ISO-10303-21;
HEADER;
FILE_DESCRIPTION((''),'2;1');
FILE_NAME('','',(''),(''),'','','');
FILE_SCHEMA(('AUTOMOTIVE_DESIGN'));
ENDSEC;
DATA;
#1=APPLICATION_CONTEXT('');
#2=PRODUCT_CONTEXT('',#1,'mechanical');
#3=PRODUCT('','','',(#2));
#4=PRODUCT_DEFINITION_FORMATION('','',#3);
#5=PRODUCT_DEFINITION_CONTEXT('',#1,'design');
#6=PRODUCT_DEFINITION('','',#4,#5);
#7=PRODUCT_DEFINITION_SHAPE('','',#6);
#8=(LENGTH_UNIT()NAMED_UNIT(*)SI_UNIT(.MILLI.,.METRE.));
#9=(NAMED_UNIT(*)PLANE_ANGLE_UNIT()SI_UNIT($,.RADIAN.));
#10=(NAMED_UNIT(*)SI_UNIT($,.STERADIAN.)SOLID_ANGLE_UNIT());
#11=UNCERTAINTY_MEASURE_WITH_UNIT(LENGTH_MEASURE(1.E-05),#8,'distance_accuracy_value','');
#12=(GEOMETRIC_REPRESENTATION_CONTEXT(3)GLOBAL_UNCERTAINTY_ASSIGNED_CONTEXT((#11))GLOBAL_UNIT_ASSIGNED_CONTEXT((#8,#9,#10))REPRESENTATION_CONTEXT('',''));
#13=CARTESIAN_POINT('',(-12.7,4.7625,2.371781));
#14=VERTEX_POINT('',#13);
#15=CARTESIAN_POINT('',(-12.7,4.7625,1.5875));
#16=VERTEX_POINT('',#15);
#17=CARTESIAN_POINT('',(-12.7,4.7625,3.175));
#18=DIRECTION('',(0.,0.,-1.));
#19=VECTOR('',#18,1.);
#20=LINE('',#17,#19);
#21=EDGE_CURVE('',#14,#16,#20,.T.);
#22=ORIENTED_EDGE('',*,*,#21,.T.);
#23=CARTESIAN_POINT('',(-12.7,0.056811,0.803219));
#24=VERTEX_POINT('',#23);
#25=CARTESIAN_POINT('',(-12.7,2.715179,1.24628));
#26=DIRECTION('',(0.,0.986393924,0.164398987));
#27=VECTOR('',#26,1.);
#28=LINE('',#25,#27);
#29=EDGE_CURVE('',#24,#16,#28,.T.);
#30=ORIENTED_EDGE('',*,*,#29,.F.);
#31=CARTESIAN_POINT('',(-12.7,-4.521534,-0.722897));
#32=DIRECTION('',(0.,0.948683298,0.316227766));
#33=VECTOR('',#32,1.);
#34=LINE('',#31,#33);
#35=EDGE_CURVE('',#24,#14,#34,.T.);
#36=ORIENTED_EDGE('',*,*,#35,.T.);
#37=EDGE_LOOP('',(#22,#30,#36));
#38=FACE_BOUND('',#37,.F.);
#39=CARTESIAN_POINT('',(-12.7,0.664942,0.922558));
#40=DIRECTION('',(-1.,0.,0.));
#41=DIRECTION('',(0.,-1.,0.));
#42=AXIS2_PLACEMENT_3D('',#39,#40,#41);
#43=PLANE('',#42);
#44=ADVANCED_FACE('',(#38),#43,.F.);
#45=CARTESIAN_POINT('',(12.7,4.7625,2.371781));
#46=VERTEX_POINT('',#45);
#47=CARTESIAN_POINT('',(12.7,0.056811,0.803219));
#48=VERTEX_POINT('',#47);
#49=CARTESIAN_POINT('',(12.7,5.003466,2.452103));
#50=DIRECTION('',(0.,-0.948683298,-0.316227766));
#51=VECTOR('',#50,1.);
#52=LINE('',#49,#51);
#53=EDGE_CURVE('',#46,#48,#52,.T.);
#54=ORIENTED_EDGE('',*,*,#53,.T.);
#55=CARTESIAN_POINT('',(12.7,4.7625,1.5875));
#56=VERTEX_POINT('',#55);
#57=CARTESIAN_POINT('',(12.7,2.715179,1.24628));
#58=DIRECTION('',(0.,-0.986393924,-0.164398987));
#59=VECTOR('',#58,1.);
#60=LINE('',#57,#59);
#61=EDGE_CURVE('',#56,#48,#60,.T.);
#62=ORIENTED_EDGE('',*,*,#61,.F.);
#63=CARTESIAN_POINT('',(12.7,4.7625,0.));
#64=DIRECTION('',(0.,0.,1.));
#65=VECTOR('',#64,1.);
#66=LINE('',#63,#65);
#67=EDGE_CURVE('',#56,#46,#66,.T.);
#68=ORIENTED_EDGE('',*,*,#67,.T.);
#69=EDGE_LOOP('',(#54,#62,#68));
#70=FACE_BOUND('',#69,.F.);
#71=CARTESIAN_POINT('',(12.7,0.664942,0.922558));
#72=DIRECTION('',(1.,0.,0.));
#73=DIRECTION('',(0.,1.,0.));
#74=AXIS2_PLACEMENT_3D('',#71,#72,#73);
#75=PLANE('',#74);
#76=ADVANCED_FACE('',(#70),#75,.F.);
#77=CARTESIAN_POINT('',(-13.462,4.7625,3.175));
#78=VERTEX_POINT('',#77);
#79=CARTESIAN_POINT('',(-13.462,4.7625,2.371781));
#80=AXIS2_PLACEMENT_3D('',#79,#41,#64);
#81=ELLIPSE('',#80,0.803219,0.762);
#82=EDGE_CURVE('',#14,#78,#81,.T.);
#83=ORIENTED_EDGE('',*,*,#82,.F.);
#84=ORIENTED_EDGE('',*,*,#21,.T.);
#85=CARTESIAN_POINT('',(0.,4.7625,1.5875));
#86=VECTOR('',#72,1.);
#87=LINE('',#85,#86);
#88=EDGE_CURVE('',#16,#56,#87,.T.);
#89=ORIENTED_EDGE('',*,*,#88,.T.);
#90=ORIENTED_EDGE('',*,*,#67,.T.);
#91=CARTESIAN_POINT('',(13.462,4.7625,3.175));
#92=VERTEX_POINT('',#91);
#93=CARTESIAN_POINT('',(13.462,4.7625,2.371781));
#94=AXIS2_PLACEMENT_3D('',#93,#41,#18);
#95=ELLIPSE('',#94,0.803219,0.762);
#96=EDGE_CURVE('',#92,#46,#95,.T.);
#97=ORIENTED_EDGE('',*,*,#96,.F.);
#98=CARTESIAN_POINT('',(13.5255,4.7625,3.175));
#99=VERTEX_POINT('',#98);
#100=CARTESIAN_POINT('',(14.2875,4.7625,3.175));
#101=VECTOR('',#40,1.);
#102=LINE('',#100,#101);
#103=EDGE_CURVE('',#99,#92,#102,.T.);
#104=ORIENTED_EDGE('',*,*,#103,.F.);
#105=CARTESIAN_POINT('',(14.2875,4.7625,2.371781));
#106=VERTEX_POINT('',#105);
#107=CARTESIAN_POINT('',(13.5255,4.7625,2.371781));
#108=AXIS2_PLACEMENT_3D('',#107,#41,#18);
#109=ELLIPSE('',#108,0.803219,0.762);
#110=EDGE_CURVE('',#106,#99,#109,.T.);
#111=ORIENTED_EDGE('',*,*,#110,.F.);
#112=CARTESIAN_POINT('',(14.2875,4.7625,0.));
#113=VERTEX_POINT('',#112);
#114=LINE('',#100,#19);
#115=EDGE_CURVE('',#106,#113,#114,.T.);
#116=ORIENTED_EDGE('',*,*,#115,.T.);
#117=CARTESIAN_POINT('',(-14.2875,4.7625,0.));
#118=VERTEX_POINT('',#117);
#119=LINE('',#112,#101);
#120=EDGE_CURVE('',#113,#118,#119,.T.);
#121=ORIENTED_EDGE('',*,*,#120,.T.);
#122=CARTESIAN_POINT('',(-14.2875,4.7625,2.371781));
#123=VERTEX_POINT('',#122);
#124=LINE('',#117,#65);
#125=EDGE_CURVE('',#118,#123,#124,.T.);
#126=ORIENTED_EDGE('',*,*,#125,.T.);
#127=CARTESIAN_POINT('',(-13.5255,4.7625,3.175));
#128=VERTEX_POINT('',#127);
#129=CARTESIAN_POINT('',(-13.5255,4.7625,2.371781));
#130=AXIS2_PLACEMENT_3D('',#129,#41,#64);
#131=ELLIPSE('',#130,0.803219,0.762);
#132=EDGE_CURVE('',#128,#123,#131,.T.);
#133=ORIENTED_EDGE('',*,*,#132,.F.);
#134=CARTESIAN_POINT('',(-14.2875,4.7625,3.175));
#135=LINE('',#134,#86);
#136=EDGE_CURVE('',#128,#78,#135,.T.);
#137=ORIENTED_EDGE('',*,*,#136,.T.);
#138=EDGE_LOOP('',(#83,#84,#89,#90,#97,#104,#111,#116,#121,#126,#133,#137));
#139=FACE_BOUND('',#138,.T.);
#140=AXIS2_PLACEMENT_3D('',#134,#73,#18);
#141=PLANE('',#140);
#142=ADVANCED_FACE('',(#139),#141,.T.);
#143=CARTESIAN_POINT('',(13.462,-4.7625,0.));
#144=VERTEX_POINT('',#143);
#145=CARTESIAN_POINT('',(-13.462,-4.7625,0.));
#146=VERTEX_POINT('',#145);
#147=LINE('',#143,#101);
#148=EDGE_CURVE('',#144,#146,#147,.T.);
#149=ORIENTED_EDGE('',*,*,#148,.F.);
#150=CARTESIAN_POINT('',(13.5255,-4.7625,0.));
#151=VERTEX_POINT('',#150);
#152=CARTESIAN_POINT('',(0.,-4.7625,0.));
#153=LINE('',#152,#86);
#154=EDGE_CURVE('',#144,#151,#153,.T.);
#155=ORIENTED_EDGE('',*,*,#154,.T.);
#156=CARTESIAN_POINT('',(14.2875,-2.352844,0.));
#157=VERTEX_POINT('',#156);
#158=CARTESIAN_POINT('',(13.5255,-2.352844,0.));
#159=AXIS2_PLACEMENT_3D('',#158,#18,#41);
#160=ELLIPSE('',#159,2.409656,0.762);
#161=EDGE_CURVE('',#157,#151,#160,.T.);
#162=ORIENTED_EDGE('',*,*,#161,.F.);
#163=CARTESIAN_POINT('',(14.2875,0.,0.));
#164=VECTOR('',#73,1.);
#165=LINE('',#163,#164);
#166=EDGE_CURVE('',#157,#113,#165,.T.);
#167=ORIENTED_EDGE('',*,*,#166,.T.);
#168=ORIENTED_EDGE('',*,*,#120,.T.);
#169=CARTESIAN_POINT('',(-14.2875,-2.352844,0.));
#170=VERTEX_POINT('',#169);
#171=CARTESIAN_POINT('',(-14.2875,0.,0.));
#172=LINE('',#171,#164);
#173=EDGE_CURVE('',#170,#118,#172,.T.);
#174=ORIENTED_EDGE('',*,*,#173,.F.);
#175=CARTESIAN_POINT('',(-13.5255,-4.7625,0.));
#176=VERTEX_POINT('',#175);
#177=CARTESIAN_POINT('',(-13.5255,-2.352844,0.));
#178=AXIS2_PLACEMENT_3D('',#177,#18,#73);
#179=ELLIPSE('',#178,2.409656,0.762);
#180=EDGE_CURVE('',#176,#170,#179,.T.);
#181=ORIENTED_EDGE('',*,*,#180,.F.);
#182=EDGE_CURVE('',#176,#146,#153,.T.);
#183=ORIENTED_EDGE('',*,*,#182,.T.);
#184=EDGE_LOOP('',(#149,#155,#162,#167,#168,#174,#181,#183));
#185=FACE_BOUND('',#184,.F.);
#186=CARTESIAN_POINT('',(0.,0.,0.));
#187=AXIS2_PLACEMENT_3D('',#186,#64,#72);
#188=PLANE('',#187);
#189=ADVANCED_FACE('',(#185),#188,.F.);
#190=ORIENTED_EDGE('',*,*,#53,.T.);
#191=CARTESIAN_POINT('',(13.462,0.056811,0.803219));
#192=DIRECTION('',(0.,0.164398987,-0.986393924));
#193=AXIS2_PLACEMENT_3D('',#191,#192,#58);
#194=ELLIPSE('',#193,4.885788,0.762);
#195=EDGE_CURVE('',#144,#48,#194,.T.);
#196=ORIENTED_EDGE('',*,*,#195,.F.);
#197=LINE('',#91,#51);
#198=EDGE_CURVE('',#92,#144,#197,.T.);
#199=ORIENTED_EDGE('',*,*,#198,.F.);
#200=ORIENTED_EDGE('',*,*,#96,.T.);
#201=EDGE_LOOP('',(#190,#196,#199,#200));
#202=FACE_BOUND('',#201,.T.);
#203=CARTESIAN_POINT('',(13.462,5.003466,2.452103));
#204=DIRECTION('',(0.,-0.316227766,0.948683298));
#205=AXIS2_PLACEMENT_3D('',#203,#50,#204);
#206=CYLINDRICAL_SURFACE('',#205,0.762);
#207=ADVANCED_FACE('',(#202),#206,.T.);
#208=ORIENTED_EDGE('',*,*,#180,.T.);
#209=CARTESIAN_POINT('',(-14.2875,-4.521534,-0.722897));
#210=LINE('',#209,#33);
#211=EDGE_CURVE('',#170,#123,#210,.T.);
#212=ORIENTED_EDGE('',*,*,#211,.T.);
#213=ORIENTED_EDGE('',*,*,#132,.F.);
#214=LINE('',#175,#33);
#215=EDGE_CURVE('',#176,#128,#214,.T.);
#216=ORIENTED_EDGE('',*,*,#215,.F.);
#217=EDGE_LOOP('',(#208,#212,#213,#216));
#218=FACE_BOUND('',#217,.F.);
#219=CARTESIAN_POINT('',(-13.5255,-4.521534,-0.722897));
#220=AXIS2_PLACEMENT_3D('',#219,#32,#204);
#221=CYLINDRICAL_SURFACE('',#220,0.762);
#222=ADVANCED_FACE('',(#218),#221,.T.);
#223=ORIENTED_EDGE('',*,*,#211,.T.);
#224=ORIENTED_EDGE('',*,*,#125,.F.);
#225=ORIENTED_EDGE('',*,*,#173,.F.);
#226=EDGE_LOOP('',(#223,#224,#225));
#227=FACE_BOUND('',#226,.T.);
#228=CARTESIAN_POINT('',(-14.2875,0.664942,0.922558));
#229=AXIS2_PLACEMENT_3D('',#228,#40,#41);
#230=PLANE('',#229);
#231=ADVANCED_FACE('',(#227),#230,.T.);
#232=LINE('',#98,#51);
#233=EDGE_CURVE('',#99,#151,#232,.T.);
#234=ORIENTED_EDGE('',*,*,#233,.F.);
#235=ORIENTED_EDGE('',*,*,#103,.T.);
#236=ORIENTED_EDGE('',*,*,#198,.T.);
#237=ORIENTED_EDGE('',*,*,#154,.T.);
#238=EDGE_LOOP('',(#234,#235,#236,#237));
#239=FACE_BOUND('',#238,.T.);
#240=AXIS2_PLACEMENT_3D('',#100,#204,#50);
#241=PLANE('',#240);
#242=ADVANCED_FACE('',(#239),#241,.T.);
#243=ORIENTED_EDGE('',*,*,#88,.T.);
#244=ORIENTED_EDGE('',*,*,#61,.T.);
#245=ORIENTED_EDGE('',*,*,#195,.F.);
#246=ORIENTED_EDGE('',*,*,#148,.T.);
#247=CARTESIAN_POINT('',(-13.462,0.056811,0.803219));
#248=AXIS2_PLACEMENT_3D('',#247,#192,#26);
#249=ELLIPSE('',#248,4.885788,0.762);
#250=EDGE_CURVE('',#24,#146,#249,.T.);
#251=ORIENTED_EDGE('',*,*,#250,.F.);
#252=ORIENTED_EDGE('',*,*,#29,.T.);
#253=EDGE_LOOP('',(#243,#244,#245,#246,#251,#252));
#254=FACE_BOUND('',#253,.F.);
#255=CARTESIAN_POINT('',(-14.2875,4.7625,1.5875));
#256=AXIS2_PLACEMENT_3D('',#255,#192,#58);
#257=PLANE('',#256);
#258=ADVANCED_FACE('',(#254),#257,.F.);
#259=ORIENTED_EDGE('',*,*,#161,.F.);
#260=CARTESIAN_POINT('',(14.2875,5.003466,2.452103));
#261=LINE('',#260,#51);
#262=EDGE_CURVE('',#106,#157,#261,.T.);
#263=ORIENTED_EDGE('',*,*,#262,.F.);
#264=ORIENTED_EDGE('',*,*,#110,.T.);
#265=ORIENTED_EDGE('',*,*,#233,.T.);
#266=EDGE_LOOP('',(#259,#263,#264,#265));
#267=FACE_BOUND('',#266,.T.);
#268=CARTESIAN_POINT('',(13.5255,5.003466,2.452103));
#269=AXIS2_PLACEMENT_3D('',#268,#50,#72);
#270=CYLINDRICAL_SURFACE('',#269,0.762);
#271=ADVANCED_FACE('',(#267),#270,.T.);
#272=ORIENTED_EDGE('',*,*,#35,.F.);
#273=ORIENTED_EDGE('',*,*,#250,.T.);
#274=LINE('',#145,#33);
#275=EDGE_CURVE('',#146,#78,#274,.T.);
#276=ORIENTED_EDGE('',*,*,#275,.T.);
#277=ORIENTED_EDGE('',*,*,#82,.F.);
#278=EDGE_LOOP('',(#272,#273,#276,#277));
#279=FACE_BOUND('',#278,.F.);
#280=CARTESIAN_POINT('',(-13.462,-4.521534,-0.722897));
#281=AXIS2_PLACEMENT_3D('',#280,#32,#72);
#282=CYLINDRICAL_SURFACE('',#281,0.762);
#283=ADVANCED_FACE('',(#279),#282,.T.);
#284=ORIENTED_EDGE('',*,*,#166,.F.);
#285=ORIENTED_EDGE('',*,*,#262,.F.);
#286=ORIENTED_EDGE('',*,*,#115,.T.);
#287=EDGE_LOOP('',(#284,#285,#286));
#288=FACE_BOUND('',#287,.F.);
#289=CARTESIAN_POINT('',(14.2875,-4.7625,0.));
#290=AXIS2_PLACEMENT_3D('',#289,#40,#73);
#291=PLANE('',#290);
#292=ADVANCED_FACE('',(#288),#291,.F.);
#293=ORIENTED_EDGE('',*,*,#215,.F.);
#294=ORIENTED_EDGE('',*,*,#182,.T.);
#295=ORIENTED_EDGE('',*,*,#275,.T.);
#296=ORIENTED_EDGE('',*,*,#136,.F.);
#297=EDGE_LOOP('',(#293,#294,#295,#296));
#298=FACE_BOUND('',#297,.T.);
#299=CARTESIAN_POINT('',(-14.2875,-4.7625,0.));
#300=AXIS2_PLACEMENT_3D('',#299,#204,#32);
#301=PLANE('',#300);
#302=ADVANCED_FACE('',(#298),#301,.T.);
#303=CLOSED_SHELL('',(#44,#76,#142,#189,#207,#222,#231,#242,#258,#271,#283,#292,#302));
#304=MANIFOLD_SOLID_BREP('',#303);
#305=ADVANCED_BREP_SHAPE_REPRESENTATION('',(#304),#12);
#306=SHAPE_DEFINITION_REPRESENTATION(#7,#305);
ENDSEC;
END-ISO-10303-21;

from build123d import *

# Parameters (mm, degrees)
F0_W     = 28.575
F0_H     = 9.525
F1_DEPTH = 1.5875
F3_DEPTH = 28.575
F5_DEPTH = 1.5875
F7_DEPTH = 1.5875
F8_R     = 0.762


with BuildPart() as f1:
    # F0 (on Top) → F1 (new body)
    with BuildSketch(Plane.XY):
        Rectangle(F0_W, F0_H)
    extrude(amount=F1_DEPTH)

    # F2 (on face) → F3 (cut, through all)
    with BuildSketch(Plane(origin=(-14.2875, 0, 0), x_dir=(0, -1, 0), z_dir=(-1, 0, 0))):
        Polygon((4.7625, 1.5875), (-4.7625, 1.5875), (4.7625, 0), align=None)
    extrude(amount=-F3_DEPTH, mode=Mode.SUBTRACT)

    # F4 (on face) → F5 (join)
    with BuildSketch(Plane(origin=(-14.2875, 0, 0), x_dir=(0, -1, 0), z_dir=(-1, 0, 0))):
        Polygon((-4.7625, 3.175), (-4.7625, 0), (4.7625, 0), align=None)
    extrude(amount=-F5_DEPTH)

    # F6 (on face) → F7 (join)
    with BuildSketch(Plane.YZ.offset(14.2875)):
        Polygon((-4.7625, 0), (4.7625, 0), (4.7625, 3.175), align=None)
    extrude(amount=-F7_DEPTH)

    # F8
    f8_edges = [f1.edges().sort_by_distance(p)[0] for p in [
        (-14.2875, 0, 1.5875),
        (-12.7, 0, 1.5875),
        (12.7, 0, 1.5875),
        (14.2875, 0, 1.5875),
    ]]
    fillet(f8_edges, radius=F8_R)


solid = f1.part
